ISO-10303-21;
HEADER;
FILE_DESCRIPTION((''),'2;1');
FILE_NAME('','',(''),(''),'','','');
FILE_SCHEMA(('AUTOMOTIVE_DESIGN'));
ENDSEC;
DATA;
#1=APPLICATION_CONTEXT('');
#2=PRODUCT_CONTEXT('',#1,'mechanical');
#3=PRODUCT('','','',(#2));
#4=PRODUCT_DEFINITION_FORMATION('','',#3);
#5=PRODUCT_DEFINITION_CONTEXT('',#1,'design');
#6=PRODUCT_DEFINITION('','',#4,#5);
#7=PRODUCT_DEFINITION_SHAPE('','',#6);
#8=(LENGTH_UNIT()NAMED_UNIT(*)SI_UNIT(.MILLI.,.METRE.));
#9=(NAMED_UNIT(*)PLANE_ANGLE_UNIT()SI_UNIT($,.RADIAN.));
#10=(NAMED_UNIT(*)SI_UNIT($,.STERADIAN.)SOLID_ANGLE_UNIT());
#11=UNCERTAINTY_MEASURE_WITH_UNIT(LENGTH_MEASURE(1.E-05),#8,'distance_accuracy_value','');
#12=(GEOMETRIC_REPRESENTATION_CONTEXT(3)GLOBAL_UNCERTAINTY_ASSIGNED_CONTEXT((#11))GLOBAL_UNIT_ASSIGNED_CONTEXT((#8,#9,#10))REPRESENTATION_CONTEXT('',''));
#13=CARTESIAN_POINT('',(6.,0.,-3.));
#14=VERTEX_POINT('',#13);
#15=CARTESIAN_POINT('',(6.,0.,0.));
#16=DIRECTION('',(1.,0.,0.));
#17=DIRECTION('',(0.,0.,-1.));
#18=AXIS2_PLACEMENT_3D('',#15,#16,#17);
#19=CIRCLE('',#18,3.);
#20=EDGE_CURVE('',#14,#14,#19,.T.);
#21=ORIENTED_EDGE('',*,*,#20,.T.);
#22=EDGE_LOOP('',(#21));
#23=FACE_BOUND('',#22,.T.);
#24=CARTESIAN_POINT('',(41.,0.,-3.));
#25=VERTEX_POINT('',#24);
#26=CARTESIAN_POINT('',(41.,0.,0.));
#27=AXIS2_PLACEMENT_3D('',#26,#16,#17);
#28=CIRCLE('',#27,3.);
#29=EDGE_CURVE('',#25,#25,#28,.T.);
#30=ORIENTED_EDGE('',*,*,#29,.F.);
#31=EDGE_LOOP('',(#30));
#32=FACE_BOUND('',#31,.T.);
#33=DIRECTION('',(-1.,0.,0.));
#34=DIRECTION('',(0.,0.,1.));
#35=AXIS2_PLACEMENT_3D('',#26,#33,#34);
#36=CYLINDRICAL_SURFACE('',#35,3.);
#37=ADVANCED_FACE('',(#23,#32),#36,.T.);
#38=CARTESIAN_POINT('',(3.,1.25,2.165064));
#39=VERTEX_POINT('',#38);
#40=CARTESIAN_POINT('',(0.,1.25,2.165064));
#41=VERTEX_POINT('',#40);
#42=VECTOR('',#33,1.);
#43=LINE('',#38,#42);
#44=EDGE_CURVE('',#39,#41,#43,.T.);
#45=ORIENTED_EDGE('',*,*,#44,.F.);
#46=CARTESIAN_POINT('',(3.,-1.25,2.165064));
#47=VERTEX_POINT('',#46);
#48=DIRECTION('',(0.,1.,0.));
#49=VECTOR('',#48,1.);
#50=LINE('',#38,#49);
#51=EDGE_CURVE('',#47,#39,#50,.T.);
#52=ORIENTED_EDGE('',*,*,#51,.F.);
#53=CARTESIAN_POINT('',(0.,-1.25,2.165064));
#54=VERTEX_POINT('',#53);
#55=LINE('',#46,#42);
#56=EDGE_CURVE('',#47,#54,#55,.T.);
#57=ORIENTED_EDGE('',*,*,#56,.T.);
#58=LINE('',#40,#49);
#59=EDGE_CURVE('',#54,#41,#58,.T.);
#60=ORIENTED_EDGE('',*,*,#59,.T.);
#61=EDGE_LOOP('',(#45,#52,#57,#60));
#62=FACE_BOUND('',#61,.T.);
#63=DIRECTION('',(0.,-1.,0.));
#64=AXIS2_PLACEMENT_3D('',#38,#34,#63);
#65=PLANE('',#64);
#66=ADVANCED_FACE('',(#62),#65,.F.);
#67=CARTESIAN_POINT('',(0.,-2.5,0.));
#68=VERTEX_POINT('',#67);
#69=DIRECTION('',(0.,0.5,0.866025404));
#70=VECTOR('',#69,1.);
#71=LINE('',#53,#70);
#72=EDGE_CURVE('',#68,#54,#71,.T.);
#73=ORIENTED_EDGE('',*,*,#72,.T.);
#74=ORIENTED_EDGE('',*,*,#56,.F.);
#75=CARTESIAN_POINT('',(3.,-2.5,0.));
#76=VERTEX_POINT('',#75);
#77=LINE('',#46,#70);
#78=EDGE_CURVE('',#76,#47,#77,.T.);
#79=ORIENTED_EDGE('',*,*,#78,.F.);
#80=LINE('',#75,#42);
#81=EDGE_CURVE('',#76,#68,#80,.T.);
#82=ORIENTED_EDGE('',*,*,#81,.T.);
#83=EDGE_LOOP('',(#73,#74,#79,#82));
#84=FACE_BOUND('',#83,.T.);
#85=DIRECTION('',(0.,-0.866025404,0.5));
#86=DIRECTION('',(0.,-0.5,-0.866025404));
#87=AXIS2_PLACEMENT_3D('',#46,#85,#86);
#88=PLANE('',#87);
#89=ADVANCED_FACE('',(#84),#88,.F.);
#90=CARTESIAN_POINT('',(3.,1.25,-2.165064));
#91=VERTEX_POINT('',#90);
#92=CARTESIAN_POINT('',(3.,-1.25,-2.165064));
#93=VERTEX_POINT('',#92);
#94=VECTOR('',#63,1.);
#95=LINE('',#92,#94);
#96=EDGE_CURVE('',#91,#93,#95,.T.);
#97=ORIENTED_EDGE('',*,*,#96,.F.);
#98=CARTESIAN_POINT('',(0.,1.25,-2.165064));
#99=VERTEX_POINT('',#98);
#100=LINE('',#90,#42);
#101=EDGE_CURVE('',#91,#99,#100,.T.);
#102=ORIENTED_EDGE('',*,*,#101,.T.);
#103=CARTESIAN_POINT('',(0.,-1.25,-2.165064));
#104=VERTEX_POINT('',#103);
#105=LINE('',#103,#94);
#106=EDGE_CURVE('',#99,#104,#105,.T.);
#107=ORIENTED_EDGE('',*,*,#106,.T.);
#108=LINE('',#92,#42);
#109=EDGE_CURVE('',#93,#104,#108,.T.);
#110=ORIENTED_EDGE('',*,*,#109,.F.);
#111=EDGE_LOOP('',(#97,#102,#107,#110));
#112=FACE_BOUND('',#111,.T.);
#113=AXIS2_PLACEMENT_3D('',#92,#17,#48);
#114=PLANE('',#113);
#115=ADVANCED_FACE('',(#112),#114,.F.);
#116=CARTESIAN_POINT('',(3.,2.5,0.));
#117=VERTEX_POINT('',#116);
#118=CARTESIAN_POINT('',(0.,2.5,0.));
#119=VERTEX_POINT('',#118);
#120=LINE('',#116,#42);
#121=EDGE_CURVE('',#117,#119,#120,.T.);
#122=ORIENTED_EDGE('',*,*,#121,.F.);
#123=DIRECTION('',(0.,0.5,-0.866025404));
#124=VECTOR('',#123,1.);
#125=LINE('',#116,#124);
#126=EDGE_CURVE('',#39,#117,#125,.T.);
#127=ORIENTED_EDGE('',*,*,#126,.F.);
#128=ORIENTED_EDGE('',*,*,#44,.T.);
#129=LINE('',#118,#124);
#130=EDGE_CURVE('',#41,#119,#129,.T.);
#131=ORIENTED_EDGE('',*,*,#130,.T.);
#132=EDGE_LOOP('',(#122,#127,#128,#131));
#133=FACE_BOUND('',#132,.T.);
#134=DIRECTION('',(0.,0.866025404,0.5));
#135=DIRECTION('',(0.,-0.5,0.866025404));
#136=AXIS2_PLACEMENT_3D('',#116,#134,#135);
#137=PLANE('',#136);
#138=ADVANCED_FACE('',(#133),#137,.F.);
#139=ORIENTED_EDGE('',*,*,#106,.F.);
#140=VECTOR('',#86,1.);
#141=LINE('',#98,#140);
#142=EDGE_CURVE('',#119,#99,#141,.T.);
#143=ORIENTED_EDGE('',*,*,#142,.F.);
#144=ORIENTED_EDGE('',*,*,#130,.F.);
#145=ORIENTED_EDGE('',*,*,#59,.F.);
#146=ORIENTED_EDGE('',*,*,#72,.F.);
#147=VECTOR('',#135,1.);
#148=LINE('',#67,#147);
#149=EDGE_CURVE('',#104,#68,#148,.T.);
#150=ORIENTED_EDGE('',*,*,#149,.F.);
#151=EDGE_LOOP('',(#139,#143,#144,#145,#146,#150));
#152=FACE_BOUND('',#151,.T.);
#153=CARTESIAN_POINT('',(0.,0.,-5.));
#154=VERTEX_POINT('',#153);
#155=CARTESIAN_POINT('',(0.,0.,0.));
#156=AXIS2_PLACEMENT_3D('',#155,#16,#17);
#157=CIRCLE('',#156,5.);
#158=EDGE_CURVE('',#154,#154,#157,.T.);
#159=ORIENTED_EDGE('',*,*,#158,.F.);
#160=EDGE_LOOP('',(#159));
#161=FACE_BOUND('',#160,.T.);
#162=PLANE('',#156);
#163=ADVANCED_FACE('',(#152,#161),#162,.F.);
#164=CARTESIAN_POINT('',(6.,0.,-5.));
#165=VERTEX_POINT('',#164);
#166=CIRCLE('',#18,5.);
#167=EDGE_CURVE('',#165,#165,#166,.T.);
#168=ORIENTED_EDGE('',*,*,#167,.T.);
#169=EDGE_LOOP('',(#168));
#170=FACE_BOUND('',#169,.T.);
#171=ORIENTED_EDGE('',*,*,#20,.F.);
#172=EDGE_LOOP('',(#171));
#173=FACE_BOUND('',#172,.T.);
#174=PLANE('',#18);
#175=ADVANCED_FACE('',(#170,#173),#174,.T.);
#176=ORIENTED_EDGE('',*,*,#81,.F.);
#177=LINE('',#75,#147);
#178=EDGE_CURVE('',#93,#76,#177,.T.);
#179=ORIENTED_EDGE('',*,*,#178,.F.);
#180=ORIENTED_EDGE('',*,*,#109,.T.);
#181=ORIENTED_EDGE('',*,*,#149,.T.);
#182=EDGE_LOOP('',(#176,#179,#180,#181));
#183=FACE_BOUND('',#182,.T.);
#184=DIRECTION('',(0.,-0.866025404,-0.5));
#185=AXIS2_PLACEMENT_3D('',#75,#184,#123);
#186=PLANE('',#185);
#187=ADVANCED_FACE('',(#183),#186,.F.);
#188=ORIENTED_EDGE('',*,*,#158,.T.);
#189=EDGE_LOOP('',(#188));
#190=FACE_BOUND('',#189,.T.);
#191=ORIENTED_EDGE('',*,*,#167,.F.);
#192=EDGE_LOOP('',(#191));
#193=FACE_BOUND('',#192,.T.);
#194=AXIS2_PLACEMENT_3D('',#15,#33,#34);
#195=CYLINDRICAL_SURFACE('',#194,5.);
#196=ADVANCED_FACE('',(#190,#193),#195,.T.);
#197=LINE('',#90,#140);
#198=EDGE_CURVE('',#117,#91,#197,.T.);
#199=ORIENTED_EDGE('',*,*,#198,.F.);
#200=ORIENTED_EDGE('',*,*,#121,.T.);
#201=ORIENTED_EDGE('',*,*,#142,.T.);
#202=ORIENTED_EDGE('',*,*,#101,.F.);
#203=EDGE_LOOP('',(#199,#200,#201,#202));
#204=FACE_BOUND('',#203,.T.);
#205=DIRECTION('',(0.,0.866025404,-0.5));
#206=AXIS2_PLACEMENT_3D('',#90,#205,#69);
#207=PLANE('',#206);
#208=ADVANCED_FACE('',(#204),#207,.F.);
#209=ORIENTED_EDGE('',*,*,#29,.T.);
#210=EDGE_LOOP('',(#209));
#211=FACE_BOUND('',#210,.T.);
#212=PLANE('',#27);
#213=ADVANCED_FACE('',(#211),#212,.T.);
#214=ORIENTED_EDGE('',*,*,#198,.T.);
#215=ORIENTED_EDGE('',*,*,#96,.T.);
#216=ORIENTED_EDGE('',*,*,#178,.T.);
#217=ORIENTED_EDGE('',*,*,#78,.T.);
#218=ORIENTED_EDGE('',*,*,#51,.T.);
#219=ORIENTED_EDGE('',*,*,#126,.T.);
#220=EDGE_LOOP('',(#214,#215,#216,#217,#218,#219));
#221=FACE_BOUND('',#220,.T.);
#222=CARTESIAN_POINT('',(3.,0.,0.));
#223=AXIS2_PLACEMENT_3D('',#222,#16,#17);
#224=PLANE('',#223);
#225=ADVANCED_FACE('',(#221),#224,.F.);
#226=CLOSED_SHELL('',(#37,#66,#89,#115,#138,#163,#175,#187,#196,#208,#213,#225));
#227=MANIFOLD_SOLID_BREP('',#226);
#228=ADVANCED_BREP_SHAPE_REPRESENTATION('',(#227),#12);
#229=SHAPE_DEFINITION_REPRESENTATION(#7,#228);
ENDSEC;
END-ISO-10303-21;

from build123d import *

# Parameters (mm, degrees)
SKETCH_1_R          = 5
EXTRUDE_1_DEPTH     = 6
CUT_EXTRUDE_1_DEPTH = 3
SKETCH_3_R          = 3
EXTRUDE_2_DEPTH     = 35


with BuildPart() as part:
    # 草图1 → 凸台-拉伸1 (new body)
    with BuildSketch(Plane(origin=(0, 0, 0), x_dir=(0, 0, -1), z_dir=(1, 0, 0))):
        Circle(SKETCH_1_R)
    extrude(amount=EXTRUDE_1_DEPTH)

    # 草图2 → 切除-拉伸1 (cut)
    with BuildSketch(Plane.ZY):
        Polygon((-2.165063509, 1.25), (0, 2.5), (2.165063509, 1.25), (2.165063509, -1.25), (0, -2.5), (-2.165063509, -1.25), align=None)
    extrude(amount=-CUT_EXTRUDE_1_DEPTH, mode=Mode.SUBTRACT)

    # 草图3 → 凸台-拉伸2 (add)
    with BuildSketch(Plane(origin=(6, 0, 0), x_dir=(0, 0, -1), z_dir=(1, 0, 0))):
        Circle(SKETCH_3_R)
    extrude(amount=EXTRUDE_2_DEPTH)


solid = part.part
